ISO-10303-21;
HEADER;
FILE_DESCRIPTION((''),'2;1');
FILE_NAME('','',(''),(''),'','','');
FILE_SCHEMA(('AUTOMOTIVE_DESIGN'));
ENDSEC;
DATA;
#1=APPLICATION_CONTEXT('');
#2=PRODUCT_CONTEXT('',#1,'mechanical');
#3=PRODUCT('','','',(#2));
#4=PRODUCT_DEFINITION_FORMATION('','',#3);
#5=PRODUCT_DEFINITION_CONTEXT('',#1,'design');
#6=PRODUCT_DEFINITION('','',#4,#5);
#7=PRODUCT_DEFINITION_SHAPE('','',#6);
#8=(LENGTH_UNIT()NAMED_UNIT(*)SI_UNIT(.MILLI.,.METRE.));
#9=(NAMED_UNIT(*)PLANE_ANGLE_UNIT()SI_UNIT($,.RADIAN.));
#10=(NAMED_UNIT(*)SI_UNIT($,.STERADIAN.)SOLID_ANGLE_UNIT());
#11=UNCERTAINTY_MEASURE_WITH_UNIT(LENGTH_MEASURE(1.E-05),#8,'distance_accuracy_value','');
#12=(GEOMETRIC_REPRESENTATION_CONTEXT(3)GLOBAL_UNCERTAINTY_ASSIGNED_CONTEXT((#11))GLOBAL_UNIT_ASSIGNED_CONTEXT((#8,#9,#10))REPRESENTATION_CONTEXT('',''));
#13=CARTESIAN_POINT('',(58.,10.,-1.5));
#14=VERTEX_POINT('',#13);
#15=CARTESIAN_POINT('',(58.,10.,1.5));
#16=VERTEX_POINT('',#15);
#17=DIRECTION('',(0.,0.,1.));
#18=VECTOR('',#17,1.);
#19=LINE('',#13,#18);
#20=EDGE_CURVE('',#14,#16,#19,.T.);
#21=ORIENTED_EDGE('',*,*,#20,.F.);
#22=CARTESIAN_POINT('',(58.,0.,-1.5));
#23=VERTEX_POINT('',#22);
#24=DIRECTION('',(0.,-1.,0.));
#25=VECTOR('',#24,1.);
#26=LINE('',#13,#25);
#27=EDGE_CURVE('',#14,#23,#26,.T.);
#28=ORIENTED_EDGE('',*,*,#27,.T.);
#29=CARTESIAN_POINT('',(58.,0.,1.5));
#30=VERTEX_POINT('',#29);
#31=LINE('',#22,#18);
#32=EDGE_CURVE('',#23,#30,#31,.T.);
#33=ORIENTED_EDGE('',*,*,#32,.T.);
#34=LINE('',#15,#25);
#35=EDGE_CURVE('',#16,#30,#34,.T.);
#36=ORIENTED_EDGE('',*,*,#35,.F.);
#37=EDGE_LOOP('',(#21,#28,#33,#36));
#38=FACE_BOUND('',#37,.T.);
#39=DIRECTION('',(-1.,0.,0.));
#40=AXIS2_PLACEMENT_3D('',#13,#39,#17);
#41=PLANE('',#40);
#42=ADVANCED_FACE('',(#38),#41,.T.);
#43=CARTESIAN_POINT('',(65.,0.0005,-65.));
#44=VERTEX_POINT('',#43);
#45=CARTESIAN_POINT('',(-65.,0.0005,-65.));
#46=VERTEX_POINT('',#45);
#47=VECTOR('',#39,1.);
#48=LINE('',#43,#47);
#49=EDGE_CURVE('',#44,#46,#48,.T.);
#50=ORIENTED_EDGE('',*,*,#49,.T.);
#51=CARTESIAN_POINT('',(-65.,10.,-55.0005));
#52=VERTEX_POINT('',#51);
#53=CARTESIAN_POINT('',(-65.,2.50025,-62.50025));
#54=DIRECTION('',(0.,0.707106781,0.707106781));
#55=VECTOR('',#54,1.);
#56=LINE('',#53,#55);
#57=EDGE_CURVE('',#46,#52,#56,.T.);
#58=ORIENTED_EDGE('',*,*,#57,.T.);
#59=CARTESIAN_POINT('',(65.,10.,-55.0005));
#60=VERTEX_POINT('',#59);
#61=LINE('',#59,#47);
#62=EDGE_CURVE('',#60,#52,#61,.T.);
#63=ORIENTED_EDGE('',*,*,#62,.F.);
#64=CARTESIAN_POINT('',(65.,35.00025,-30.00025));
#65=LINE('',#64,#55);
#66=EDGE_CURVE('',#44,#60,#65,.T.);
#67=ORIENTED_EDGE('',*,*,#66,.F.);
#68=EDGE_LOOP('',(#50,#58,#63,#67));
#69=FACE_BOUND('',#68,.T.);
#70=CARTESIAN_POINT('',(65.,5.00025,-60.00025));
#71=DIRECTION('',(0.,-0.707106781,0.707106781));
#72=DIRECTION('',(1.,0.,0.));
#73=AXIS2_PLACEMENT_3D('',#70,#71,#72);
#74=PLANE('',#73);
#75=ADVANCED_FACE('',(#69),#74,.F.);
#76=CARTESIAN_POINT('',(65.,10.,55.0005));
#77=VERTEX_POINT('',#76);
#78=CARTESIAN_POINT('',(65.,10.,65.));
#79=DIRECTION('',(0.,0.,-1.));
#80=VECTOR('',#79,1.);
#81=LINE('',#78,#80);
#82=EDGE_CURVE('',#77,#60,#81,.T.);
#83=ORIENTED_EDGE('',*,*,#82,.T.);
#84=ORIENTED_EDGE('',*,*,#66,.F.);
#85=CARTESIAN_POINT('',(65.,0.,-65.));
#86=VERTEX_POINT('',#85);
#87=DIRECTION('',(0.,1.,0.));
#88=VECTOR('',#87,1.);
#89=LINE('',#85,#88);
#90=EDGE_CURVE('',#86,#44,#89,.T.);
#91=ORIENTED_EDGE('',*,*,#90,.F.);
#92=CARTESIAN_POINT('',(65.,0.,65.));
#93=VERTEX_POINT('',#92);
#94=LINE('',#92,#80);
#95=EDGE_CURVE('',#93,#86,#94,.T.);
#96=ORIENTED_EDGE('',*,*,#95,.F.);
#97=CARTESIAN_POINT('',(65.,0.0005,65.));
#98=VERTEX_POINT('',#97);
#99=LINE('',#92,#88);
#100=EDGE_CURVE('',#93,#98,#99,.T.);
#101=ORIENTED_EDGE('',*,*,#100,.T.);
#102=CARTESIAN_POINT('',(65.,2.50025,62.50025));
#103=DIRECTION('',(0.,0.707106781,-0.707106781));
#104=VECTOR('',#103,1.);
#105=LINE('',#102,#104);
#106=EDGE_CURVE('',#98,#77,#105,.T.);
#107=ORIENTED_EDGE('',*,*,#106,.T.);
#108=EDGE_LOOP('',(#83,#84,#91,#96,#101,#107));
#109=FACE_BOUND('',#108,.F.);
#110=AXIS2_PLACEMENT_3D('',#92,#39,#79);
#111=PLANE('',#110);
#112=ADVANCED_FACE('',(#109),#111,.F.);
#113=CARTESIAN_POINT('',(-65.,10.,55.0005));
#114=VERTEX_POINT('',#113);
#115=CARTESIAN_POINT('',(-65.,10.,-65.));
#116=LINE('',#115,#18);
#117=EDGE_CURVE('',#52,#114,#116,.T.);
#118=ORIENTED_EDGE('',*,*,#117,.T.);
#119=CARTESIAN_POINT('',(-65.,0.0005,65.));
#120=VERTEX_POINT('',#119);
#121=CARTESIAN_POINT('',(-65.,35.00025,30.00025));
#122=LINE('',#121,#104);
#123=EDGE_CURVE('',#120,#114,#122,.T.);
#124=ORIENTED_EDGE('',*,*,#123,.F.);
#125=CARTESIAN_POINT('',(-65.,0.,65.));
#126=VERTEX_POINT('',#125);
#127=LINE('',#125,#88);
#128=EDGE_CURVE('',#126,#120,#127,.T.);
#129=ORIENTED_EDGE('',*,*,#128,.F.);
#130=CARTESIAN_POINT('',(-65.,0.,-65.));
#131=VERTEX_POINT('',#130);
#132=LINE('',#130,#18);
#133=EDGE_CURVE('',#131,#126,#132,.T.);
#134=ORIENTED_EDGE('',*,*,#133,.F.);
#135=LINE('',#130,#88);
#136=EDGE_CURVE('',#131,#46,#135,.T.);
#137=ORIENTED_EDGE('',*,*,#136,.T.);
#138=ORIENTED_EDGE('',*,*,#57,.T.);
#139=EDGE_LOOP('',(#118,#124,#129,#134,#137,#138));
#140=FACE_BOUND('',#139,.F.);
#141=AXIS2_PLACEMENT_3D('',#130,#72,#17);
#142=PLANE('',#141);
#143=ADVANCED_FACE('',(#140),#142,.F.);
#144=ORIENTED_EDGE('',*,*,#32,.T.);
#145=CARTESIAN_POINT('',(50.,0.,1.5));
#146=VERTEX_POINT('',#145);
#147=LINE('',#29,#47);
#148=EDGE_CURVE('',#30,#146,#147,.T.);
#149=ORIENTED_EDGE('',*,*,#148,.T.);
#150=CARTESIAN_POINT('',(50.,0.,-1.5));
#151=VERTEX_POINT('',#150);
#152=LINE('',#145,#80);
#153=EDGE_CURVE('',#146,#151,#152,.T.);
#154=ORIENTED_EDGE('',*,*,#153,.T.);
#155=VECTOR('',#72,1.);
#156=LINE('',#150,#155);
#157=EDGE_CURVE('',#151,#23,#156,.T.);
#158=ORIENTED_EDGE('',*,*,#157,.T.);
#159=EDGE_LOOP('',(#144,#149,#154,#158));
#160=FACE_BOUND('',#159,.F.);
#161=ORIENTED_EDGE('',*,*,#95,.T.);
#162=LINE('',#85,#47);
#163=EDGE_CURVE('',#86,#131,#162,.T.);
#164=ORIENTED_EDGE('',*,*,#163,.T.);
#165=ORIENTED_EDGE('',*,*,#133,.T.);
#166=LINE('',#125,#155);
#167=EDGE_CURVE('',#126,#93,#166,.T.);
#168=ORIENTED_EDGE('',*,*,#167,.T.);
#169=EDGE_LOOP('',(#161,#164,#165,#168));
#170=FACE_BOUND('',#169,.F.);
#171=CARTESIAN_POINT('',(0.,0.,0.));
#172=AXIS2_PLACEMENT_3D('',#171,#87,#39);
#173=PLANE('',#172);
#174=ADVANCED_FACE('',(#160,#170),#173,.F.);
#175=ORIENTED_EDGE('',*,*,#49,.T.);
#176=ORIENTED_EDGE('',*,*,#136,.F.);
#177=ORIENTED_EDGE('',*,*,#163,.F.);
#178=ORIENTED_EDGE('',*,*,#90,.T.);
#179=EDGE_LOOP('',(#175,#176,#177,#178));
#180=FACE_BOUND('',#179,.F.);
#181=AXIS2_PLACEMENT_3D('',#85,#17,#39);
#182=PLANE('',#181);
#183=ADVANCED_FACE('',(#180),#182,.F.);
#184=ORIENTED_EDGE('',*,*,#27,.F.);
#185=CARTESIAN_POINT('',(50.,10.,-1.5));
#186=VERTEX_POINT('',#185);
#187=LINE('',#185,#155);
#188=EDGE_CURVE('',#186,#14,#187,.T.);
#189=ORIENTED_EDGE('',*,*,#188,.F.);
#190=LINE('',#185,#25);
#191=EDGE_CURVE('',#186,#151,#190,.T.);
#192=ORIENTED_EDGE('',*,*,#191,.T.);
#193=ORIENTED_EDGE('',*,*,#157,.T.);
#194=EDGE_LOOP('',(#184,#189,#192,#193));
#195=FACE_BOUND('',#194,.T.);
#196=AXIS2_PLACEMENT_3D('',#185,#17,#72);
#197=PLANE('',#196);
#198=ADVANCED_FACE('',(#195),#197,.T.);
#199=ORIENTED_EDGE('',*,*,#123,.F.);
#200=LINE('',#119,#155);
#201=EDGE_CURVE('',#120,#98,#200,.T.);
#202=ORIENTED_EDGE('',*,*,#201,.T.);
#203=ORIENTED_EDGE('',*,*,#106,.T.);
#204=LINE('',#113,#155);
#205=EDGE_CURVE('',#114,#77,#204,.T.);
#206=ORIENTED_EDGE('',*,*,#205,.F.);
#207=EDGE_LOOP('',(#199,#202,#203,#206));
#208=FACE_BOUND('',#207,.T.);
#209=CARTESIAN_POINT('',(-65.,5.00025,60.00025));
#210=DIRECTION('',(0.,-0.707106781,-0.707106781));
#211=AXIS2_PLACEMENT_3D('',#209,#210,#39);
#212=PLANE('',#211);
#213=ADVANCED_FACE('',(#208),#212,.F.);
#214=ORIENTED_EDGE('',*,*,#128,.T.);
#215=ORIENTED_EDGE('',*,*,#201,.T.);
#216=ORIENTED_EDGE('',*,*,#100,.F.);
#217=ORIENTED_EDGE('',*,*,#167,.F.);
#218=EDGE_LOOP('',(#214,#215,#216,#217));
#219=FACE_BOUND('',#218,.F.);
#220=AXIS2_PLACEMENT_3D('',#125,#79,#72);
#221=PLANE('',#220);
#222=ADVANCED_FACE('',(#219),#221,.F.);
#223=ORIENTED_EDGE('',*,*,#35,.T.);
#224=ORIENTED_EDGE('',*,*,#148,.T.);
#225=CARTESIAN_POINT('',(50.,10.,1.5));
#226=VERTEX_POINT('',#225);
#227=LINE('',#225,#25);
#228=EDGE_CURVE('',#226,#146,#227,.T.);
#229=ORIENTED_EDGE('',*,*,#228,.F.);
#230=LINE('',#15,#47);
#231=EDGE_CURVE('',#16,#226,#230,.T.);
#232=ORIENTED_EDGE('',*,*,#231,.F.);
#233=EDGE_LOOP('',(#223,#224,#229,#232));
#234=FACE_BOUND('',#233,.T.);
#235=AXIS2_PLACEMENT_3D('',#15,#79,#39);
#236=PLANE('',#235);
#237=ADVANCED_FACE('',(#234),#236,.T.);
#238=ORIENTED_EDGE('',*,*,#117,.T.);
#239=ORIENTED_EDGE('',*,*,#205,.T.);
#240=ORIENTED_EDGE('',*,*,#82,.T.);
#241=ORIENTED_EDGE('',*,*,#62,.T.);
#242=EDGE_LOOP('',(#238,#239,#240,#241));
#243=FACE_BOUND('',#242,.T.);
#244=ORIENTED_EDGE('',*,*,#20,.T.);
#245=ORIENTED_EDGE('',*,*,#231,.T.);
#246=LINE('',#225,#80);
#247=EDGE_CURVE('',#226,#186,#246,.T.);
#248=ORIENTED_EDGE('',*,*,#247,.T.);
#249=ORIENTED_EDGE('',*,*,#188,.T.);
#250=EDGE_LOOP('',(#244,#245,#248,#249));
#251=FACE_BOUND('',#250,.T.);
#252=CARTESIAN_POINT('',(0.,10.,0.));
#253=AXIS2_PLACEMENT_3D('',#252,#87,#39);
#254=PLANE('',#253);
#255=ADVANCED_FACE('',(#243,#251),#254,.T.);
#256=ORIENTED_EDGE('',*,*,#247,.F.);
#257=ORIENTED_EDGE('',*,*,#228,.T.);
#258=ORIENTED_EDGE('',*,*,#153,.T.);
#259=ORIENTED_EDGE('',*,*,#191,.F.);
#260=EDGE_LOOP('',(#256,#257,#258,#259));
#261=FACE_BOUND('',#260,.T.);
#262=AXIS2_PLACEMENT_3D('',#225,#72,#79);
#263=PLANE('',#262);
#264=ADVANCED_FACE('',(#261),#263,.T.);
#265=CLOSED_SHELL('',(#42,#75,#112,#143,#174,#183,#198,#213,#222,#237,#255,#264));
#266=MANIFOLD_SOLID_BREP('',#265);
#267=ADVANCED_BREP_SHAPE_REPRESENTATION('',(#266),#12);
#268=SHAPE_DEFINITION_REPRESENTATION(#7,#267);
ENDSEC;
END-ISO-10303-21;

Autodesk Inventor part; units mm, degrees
ref_plane "YZ Plane" through (0, 0, 0) normal (1, 0, 0) x (0, 1, 0)
ref_plane "XZ Plane" through (0, 0, 0) normal (0, 1, 0) x (-1, 0, 0)
ref_plane "XY Plane" through (0, 0, 0) normal (0, 0, 1) x (1, 0, 0)
sketch "Sketch1" plane through (0, 0, 0) normal (0, 1, 0) x (-1, 0, 0)
  line L0 (-65, -65) -> (65, -65)
  line L1 (65, -65) -> (65, 65)
  line L2 (65, 65) -> (-65, 65)
  line L3 (-65, 65) -> (-65, -65)
  line L4 (-65, -65) -> (65, 65) construction
  line L5 (65, -65) -> (-65, 65) construction
  point P0 (0, 0)
  dimension "d0" = 130
  dimension "d1" = 130
extrude "Extrusion1" add sketch "Sketch1" along normal blind 10
chamfer "Chamfer1" distance 10 angle 45 2 edges at (0, 10, 65) (0, 10, -65)
sketch "Sketch2" plane through (0, 10, 0) normal (0, 1, 0) x (1, 0, 0)
  line L0 (58, -1.5) -> (50, -1.5)
  line L1 (50, -1.5) -> (50, 1.5)
  line L2 (50, 1.5) -> (58, 1.5)
  line L3 (58, 1.5) -> (58, -1.5)
  line L4 (58, -1.5) -> (50, 1.5) construction
  line L5 (50, -1.5) -> (58, 1.5) construction
  line L6 (65, -55) -> (65, 55) projected
  point P0 (0, 0)
  point P1 (54, 0)
  dimension "d7" = 8
  dimension "d8" = 3
  dimension "d9" = 7
extrude "Extrusion2" cut sketch "Sketch2" against normal blind 10
properties part number "inner_side"
